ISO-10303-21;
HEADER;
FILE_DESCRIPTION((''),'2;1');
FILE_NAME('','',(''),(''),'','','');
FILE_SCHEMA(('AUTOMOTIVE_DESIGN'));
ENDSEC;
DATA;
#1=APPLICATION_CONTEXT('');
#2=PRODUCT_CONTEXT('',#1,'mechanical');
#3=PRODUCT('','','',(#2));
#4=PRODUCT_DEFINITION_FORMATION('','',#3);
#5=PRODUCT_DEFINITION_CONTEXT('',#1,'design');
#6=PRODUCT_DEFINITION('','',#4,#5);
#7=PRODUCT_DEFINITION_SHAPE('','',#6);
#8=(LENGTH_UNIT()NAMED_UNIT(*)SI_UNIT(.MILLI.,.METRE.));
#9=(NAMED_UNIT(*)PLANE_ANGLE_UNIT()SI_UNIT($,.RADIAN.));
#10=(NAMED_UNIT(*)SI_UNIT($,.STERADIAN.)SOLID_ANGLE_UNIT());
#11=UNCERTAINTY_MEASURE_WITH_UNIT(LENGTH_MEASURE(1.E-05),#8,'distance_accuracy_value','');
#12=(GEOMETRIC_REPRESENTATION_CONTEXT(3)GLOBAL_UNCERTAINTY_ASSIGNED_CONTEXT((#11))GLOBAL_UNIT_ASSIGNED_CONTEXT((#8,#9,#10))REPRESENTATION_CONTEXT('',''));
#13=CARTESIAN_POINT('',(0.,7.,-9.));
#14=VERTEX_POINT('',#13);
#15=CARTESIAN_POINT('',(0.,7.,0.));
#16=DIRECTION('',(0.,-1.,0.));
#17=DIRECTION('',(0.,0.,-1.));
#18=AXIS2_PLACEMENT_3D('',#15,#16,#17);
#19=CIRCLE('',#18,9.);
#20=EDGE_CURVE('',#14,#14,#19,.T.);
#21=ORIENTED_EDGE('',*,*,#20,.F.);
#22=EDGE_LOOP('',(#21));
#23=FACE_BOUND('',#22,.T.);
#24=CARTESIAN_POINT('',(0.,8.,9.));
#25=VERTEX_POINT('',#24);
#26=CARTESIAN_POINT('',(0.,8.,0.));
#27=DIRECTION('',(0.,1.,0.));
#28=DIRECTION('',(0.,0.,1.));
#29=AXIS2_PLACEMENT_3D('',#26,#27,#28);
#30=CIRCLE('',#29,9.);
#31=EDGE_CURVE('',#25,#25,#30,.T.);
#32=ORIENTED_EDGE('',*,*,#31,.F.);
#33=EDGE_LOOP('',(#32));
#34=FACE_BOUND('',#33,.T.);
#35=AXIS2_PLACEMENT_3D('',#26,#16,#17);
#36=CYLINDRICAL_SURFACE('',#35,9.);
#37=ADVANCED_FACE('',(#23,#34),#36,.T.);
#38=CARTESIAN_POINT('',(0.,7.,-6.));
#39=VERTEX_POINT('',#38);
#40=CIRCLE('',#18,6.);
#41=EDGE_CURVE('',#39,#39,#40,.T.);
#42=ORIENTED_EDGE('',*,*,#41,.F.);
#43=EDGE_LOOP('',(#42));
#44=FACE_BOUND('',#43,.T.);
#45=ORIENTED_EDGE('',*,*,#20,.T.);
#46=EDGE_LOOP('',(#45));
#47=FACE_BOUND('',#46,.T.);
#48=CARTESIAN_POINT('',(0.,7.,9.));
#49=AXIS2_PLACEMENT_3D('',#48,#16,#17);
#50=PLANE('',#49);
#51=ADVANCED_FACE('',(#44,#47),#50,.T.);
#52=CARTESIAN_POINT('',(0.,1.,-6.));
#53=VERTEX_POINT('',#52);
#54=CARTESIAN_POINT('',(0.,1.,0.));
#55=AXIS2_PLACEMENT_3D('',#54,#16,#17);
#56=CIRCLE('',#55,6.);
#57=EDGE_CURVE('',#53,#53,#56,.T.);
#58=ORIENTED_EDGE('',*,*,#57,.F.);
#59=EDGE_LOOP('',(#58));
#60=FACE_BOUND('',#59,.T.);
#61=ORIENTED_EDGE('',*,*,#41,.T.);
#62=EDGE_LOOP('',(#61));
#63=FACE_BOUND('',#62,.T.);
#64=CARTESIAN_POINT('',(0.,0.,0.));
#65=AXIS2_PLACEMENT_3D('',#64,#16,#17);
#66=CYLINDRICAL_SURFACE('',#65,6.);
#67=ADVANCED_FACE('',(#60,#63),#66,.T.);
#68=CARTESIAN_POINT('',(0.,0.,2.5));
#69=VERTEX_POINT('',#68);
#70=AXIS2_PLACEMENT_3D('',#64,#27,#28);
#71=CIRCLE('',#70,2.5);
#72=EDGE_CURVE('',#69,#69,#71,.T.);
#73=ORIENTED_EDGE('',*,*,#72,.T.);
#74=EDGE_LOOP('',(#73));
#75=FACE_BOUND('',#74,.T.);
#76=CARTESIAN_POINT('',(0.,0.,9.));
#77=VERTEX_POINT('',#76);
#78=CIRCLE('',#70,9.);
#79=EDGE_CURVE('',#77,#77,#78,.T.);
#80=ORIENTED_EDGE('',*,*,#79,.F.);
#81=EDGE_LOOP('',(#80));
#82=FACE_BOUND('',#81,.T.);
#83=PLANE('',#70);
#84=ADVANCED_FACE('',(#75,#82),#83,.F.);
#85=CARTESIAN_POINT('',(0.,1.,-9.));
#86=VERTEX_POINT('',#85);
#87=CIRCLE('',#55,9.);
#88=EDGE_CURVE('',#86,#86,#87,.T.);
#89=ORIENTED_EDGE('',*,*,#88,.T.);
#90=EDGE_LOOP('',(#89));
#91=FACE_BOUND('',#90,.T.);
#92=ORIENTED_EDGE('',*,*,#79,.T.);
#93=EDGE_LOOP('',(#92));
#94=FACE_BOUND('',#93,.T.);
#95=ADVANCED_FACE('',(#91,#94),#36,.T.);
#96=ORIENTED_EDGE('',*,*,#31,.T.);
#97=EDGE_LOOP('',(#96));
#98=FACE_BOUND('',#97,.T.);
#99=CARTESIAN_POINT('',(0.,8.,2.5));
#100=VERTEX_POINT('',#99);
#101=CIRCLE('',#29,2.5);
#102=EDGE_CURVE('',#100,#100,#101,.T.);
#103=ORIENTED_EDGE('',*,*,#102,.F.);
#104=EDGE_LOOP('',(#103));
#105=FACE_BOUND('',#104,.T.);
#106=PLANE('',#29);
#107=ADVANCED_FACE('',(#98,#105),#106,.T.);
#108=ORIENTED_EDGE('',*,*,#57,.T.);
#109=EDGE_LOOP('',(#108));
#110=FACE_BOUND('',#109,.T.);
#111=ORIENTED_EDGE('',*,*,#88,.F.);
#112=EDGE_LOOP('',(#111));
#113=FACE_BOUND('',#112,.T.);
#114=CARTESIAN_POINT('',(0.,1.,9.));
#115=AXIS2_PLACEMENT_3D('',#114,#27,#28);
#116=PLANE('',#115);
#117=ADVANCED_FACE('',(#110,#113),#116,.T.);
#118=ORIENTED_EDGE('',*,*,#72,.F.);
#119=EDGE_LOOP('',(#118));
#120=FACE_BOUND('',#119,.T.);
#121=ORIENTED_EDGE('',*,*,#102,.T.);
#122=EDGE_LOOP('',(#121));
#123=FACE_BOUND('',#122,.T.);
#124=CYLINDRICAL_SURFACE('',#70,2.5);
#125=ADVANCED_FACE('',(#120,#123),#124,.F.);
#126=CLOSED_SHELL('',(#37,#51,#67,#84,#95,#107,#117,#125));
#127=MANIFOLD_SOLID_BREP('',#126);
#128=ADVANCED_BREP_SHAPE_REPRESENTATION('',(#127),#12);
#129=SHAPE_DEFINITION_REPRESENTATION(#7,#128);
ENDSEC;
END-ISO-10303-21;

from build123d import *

# Parameters (mm, degrees)
SKETCH1_R           = 9
BOSS_EXTRUDE1_DEPTH = 8
SKETCH3_R           = 2.5
CUT_EXTRUDE1_DEPTH  = 16.033296378
SKETCH2_W           = 3
SKETCH2_H           = 6


with BuildPart() as part:
    # Sketch1 → Boss-Extrude1 (new body)
    with BuildSketch(Plane(origin=(0, 0, 0), x_dir=(1, 0, 0), z_dir=(0, 1, 0))):
        with Locations(Location((0, 0, 0), (0, 0, 270))):
            Circle(SKETCH1_R)
    extrude(amount=BOSS_EXTRUDE1_DEPTH)

    # Sketch3 → Cut-Extrude1 (cut, through all)
    with BuildSketch(Plane(origin=(0, 8, 0), x_dir=(1, 0, 0), z_dir=(0, 1, 0))):
        with Locations(Location((0, 0, 0), (0, 0, 270))):
            Circle(SKETCH3_R)
    extrude(amount=-CUT_EXTRUDE1_DEPTH, mode=Mode.SUBTRACT)

    # Sketch2 → Cut-Revolve1 (revolve, cut)
    with BuildSketch(Plane(origin=(0, 0, 0), x_dir=(0, 0, -1), z_dir=(1, 0, 0)), mode=Mode.PRIVATE) as cut_revolve1_sk:
        with Locations((-7.5, 4)):
            Rectangle(SKETCH2_W, SKETCH2_H)
    revolve(cut_revolve1_sk.sketch.rotate(Axis((0, 0, 0), (0, 1, 0)), 180), axis=Axis((0, 0, 0), (0, 1, 0)), mode=Mode.SUBTRACT)


solid = part.part
